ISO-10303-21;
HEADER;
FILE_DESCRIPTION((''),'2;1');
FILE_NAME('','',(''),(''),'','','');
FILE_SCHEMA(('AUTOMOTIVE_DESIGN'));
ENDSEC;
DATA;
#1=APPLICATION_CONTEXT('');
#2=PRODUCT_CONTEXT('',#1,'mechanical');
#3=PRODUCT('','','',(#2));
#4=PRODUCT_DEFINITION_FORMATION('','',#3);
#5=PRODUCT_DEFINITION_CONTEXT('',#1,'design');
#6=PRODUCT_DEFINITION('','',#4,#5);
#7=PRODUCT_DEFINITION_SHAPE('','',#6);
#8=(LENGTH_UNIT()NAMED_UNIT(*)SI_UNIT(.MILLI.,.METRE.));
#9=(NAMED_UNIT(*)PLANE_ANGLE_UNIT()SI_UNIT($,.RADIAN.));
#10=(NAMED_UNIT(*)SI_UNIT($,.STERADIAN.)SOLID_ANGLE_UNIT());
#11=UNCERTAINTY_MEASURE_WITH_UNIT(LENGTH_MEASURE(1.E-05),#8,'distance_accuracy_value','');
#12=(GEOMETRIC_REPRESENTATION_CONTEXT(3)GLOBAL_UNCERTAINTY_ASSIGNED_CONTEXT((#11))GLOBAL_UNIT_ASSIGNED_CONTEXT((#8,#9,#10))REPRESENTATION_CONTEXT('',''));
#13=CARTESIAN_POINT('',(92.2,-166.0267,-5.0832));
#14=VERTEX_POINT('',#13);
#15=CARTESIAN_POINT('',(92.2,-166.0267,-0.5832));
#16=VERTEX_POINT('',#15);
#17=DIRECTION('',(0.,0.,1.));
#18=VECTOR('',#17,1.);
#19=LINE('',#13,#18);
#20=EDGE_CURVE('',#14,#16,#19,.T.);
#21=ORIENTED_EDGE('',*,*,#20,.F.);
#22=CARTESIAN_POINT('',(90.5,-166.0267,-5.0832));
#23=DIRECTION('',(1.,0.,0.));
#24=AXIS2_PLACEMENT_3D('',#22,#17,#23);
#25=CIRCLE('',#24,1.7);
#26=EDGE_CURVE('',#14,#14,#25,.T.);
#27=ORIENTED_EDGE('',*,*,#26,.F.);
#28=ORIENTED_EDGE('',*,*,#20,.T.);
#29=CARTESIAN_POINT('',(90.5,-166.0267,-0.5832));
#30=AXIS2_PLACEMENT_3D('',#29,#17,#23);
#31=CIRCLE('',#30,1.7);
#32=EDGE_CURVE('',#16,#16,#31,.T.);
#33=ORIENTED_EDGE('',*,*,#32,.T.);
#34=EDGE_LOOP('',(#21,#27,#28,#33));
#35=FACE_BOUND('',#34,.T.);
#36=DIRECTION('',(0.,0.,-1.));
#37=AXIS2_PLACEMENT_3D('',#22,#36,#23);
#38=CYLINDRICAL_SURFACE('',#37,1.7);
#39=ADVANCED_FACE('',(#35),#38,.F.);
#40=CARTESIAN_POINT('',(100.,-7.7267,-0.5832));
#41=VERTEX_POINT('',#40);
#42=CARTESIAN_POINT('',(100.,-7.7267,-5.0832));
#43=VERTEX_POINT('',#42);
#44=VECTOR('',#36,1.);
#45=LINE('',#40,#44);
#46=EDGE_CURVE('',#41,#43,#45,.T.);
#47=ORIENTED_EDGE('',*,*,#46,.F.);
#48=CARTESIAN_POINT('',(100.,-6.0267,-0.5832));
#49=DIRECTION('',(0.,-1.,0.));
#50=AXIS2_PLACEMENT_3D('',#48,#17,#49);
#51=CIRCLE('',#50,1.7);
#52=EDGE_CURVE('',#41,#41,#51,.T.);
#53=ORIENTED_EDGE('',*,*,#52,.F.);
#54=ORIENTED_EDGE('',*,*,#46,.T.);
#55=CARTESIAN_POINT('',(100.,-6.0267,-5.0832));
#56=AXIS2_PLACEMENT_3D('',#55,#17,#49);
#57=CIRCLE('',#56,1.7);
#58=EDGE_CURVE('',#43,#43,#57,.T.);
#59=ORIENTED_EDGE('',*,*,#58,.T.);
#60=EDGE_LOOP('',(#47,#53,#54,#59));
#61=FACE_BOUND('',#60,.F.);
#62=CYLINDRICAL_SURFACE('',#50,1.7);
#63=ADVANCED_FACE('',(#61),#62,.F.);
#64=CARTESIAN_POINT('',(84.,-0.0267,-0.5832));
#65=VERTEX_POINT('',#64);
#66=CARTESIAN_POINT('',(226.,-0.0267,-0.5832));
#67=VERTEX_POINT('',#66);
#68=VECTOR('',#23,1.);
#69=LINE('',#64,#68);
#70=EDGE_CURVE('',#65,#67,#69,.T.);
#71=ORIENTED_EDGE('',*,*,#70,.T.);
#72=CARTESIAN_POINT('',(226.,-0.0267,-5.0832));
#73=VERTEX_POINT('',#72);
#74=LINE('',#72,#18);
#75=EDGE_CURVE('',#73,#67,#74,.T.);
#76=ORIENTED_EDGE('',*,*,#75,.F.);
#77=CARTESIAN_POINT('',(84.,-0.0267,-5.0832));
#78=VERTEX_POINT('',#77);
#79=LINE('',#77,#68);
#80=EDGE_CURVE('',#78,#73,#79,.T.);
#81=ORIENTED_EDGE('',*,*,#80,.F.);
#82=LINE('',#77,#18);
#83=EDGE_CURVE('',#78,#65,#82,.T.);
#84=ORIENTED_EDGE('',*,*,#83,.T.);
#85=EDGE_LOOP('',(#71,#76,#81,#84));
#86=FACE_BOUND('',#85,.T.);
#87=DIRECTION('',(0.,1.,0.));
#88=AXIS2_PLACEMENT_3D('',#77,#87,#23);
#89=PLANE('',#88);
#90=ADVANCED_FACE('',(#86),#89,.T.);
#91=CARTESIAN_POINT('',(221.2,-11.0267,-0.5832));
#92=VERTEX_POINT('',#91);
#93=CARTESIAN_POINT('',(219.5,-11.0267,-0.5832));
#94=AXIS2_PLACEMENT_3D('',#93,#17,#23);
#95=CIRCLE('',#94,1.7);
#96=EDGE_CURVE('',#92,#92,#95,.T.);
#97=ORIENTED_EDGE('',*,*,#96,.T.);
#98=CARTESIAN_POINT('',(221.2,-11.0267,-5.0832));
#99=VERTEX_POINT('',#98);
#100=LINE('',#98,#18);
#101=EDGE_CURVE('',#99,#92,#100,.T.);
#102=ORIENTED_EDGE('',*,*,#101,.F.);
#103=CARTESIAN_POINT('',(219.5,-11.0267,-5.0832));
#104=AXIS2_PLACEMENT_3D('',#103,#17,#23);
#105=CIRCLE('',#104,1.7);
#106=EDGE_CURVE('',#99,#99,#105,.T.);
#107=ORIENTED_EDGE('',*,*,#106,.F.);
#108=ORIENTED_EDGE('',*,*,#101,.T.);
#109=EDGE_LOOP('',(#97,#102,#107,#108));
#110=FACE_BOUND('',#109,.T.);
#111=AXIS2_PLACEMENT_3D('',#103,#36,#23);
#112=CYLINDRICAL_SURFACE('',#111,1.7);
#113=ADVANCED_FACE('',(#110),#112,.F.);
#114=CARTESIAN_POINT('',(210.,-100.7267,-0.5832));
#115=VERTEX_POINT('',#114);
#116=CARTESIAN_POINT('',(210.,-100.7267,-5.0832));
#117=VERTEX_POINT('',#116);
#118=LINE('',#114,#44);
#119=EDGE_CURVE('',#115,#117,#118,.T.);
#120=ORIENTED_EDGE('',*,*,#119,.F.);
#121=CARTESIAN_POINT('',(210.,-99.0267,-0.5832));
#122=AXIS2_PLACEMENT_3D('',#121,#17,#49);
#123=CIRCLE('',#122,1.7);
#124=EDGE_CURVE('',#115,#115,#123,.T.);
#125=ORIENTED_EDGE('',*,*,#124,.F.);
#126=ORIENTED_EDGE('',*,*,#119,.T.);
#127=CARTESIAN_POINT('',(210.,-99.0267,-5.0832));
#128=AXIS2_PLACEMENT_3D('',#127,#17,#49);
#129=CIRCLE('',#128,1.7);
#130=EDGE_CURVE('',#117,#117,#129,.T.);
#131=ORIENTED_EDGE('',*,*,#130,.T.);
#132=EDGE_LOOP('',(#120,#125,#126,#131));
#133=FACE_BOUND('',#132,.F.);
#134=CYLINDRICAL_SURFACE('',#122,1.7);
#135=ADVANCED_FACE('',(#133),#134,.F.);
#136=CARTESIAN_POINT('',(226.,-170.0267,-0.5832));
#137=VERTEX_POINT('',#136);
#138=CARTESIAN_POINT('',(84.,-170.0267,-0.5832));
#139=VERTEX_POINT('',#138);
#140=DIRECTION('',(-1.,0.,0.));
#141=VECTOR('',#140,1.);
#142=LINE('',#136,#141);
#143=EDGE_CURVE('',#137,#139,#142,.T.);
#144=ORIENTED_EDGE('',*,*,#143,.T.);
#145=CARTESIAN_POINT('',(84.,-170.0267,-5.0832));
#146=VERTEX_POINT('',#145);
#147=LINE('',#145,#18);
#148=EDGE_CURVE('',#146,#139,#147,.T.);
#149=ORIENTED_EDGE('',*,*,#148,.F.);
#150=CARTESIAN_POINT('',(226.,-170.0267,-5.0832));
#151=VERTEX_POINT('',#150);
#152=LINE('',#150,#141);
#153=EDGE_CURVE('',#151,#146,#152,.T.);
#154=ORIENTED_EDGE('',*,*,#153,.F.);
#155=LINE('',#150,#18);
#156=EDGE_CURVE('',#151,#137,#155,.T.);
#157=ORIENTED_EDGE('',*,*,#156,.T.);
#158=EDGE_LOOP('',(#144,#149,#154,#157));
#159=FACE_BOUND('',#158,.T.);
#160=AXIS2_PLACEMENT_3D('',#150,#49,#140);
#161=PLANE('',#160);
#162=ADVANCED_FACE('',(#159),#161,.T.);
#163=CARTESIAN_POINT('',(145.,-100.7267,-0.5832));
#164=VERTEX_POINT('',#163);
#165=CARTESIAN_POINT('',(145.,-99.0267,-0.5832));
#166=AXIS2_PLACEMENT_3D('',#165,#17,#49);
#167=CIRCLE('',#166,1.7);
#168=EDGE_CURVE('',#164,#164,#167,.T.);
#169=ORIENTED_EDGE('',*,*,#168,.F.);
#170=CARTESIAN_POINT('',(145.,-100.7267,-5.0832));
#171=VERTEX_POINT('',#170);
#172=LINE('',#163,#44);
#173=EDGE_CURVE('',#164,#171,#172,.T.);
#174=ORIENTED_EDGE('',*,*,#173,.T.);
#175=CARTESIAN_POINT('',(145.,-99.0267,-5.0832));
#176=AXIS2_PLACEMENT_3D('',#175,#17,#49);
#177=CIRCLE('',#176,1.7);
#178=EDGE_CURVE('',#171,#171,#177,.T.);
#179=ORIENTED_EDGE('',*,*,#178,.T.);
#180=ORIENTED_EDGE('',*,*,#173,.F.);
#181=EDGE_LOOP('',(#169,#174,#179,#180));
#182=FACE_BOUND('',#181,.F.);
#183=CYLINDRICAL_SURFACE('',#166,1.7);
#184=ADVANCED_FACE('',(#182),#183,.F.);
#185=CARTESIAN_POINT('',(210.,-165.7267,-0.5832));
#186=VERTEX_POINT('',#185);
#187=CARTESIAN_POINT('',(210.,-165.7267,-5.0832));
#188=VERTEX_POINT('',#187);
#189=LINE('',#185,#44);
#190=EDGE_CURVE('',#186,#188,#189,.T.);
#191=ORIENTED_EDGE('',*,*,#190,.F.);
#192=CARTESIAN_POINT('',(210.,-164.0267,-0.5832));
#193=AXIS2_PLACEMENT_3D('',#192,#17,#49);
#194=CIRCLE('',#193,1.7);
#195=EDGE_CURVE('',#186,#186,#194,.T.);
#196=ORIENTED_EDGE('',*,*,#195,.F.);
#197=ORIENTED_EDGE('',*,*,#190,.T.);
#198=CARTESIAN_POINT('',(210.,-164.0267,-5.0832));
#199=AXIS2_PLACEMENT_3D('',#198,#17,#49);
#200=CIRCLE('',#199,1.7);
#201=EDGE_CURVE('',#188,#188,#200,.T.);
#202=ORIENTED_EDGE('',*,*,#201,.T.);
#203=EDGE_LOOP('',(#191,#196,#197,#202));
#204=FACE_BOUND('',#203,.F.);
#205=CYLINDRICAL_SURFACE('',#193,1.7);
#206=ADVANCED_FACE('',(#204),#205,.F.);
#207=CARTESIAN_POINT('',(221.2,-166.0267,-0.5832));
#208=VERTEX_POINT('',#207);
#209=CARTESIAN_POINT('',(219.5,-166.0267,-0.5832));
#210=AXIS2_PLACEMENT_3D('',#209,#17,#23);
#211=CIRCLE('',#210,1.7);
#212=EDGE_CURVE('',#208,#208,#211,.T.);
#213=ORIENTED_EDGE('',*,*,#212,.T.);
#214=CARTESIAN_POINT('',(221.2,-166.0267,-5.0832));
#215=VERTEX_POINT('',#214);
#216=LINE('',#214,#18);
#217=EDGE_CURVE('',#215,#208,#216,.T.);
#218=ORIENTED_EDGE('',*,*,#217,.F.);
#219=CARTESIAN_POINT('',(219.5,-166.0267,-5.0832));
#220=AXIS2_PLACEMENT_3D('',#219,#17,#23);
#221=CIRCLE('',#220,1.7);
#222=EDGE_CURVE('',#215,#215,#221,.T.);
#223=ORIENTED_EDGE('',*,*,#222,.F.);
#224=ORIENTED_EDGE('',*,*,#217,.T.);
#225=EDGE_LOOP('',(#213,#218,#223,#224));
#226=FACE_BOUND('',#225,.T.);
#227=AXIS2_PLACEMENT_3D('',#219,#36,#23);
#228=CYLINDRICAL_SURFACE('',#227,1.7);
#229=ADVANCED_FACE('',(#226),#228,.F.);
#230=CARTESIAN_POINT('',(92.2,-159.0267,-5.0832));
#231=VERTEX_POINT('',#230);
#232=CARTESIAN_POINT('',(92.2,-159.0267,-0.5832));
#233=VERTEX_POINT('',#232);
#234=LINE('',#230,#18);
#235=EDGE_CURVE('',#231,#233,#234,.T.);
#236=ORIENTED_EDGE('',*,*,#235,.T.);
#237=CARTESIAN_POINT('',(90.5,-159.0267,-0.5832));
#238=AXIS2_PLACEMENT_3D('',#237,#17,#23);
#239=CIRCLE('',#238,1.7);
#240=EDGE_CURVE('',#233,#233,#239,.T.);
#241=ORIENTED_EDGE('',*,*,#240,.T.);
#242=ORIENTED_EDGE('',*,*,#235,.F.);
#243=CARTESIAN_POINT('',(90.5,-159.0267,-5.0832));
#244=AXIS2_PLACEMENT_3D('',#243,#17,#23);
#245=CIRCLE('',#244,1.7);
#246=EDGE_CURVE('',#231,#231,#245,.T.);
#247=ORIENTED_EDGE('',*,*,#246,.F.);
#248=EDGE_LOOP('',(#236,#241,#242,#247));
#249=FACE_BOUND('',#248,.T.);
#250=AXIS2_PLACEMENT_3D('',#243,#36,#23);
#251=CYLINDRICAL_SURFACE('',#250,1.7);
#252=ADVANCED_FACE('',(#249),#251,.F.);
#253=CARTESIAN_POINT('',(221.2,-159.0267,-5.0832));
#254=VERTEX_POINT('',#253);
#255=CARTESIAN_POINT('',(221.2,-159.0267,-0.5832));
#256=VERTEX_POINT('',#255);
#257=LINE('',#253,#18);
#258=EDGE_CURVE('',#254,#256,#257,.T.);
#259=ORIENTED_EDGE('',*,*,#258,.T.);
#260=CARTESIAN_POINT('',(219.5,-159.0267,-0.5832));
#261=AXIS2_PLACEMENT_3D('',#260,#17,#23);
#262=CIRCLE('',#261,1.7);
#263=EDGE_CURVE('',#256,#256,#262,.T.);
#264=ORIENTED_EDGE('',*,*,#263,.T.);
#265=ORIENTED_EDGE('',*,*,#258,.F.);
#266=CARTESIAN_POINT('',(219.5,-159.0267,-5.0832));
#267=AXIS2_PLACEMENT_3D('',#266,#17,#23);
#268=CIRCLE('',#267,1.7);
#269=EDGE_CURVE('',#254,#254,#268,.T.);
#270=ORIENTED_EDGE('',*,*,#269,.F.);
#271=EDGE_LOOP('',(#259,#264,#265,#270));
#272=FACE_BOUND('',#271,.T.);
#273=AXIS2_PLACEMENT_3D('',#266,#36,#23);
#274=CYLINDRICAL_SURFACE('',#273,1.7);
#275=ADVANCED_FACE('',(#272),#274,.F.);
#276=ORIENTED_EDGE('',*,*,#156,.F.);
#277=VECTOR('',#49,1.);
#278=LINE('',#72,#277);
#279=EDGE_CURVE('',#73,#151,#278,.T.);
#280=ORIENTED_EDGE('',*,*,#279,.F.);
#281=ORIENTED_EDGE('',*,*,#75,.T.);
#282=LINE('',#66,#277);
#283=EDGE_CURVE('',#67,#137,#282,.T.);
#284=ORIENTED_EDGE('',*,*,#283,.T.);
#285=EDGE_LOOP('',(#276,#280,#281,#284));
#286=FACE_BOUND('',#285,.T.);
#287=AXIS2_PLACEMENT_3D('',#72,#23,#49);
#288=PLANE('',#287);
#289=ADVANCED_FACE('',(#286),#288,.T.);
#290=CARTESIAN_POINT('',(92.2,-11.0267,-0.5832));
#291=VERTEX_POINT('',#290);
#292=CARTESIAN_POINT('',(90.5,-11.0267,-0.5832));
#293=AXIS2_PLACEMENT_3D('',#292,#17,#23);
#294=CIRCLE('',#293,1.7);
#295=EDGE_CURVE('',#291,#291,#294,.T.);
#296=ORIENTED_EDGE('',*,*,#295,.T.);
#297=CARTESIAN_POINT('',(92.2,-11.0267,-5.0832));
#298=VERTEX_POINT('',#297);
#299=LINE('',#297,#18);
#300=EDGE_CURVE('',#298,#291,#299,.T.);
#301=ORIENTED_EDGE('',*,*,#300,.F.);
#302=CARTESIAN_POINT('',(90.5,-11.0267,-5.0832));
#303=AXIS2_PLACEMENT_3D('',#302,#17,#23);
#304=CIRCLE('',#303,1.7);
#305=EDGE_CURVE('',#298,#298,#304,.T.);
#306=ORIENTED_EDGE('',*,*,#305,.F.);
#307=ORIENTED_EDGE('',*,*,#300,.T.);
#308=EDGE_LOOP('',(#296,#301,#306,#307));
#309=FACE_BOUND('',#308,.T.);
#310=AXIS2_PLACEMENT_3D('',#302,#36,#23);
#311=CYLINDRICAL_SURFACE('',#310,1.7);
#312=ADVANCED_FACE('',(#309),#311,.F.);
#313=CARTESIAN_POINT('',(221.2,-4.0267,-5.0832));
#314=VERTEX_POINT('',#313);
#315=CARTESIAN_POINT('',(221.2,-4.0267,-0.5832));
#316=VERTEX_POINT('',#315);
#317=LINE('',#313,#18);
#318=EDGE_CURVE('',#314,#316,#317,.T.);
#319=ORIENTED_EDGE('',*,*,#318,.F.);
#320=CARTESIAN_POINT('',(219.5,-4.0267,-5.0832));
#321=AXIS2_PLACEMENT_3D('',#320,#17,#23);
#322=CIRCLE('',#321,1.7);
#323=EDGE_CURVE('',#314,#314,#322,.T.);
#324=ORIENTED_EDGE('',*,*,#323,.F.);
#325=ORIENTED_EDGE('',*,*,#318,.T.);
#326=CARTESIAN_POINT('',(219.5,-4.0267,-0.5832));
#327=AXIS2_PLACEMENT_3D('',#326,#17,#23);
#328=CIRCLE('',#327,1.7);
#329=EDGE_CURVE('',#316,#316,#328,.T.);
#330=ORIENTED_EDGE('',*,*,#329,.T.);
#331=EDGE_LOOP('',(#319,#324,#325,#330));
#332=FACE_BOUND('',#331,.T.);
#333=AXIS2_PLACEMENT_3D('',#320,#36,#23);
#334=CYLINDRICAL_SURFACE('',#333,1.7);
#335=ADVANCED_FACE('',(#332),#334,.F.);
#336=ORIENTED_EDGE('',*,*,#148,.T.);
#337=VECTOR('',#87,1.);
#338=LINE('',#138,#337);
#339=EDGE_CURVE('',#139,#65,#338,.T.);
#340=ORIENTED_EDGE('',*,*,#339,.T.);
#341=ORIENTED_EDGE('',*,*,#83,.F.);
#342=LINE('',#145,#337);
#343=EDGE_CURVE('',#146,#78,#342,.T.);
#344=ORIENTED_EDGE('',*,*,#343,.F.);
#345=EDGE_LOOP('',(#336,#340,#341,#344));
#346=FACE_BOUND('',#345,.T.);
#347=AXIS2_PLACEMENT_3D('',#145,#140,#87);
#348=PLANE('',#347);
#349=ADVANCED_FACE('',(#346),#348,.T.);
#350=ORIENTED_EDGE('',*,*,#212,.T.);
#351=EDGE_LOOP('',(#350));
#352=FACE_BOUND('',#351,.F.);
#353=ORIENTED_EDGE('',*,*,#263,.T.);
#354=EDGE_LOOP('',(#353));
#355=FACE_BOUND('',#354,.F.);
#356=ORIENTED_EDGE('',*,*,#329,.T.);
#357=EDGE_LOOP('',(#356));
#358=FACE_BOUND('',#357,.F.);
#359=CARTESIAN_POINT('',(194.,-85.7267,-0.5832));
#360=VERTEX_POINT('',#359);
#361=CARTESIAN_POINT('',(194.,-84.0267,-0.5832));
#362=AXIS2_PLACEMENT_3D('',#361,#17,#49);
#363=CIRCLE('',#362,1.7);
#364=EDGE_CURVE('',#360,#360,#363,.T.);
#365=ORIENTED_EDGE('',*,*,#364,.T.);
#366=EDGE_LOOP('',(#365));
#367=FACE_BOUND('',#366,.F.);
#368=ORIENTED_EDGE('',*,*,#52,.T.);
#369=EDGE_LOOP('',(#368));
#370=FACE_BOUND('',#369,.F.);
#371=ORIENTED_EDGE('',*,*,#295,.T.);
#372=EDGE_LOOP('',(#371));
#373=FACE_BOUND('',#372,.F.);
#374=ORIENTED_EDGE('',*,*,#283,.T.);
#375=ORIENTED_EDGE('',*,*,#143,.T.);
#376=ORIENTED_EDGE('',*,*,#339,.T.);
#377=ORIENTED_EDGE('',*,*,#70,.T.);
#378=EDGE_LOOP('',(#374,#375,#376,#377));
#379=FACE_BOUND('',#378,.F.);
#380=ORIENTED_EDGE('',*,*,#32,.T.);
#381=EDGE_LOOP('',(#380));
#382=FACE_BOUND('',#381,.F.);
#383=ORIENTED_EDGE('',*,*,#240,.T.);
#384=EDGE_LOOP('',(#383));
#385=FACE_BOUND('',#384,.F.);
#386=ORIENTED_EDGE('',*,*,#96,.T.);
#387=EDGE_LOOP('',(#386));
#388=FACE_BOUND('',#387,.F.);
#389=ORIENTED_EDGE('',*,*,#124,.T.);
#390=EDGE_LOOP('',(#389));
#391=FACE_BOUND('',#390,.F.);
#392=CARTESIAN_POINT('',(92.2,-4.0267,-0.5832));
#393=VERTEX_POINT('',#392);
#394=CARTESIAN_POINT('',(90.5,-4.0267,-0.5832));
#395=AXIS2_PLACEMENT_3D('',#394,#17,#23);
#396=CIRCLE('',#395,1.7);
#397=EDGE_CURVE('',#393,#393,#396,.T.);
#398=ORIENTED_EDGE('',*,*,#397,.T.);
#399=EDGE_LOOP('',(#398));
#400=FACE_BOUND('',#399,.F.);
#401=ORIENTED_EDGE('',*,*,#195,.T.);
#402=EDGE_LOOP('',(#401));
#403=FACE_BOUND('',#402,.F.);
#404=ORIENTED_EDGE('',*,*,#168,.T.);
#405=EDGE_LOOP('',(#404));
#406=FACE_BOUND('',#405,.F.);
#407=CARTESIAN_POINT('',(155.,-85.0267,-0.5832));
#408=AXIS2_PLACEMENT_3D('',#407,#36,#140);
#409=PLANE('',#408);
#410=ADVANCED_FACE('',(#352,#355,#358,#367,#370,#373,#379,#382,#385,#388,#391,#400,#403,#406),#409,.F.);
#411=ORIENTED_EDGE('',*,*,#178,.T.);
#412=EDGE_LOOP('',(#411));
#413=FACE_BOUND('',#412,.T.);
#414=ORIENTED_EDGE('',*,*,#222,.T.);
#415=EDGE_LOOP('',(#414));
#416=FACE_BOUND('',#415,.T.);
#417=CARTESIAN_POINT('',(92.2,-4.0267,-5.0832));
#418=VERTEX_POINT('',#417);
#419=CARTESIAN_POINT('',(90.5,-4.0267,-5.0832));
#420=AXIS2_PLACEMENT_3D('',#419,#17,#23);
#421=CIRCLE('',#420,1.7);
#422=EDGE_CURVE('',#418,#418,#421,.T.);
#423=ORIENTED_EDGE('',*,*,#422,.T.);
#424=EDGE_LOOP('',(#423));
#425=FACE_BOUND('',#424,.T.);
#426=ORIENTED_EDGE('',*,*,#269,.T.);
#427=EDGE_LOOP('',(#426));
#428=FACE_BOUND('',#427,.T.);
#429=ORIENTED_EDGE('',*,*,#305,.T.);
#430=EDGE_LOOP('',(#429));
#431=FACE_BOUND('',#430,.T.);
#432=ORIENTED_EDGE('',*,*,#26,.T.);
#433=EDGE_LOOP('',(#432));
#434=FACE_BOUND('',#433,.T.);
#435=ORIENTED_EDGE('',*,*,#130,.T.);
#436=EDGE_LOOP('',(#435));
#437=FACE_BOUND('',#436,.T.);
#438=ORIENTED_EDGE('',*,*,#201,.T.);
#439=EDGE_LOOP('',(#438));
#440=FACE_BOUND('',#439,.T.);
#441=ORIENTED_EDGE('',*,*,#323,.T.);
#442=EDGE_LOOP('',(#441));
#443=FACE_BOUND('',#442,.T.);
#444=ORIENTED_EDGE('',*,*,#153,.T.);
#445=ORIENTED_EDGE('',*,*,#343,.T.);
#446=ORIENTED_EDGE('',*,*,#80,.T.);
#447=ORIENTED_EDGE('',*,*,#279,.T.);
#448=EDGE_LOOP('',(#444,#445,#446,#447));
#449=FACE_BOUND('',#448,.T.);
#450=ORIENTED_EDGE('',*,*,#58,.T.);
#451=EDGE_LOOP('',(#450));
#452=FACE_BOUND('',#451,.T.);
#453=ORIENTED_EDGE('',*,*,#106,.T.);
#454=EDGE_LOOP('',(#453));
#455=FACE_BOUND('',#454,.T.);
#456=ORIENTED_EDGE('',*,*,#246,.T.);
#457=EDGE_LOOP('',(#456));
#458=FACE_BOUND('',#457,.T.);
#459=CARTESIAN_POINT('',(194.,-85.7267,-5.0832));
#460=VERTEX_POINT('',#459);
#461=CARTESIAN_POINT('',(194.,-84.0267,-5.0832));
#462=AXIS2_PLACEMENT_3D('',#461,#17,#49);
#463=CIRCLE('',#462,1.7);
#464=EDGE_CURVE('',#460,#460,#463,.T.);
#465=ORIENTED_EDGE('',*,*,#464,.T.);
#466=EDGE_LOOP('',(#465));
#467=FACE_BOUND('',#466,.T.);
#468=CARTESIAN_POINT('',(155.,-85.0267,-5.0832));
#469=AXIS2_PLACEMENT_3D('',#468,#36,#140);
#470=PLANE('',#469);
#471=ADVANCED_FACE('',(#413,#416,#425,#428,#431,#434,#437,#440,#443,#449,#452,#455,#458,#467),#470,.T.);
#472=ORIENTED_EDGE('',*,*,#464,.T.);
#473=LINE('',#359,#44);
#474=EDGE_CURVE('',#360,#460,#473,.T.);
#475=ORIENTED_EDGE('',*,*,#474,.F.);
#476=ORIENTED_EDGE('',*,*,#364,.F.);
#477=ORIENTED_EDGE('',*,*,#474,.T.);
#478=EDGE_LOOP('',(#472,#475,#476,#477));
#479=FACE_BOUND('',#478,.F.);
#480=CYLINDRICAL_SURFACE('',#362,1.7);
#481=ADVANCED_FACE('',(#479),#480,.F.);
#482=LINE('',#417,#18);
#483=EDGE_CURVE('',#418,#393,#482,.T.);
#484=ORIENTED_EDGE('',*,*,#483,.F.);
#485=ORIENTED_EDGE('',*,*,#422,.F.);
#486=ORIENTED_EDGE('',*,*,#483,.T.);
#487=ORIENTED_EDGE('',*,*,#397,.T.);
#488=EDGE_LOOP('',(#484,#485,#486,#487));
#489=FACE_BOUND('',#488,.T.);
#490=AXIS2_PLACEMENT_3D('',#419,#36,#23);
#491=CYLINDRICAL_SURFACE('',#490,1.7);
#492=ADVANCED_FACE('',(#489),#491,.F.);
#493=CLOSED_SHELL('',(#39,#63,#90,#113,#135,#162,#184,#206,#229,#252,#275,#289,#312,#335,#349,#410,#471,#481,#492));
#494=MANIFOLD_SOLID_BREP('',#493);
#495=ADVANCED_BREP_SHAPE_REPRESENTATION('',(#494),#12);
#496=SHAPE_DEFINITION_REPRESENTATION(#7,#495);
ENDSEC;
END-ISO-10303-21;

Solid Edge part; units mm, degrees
sketch "Sketch1" plane through (0, 0, -5.0832) normal (0, 0, 1) x (1, 0, 0)
  circle A0 centre (219.5, -4.0267) radius 1.7
  circle A1 centre (219.5, -11.0267) radius 1.7
  circle A2 centre (90.5, -4.0267) radius 1.7
  circle A3 centre (90.5, -11.0267) radius 1.7
  circle A4 centre (90.5, -166.0267) radius 1.7
  circle A5 centre (90.5, -159.0267) radius 1.7
  circle A6 centre (219.5, -166.0267) radius 1.7
  circle A7 centre (219.5, -159.0267) radius 1.7
  line L0 (84, -0.0267) -> (226, -0.0267)
  line L1 (226, -0.0267) -> (226, -170.0267)
  line L2 (226, -170.0267) -> (84, -170.0267)
  line L3 (84, -170.0267) -> (84, -0.0267)
  dimension "D1" = 142
  dimension "D2" = 170
extrude "ExtrudedProtrusion_1" add sketch "Sketch1" along normal blind 4.5
sketch "Sketch2" plane through (-67, -90, -0.5832) normal (0, 0, 1) x (0, -1, 0)
  circle A0 centre (-5.9733, 261) radius 1.7
  circle A1 centre (9.0267, 277) radius 1.7
  circle A2 centre (9.0267, 212) radius 1.7
  circle A3 centre (-83.9733, 167) radius 1.7
  circle A4 centre (74.0267, 277) radius 1.7
extrude "Cutout1" cut sketch "Sketch2" against normal through all
properties material "Steel"
